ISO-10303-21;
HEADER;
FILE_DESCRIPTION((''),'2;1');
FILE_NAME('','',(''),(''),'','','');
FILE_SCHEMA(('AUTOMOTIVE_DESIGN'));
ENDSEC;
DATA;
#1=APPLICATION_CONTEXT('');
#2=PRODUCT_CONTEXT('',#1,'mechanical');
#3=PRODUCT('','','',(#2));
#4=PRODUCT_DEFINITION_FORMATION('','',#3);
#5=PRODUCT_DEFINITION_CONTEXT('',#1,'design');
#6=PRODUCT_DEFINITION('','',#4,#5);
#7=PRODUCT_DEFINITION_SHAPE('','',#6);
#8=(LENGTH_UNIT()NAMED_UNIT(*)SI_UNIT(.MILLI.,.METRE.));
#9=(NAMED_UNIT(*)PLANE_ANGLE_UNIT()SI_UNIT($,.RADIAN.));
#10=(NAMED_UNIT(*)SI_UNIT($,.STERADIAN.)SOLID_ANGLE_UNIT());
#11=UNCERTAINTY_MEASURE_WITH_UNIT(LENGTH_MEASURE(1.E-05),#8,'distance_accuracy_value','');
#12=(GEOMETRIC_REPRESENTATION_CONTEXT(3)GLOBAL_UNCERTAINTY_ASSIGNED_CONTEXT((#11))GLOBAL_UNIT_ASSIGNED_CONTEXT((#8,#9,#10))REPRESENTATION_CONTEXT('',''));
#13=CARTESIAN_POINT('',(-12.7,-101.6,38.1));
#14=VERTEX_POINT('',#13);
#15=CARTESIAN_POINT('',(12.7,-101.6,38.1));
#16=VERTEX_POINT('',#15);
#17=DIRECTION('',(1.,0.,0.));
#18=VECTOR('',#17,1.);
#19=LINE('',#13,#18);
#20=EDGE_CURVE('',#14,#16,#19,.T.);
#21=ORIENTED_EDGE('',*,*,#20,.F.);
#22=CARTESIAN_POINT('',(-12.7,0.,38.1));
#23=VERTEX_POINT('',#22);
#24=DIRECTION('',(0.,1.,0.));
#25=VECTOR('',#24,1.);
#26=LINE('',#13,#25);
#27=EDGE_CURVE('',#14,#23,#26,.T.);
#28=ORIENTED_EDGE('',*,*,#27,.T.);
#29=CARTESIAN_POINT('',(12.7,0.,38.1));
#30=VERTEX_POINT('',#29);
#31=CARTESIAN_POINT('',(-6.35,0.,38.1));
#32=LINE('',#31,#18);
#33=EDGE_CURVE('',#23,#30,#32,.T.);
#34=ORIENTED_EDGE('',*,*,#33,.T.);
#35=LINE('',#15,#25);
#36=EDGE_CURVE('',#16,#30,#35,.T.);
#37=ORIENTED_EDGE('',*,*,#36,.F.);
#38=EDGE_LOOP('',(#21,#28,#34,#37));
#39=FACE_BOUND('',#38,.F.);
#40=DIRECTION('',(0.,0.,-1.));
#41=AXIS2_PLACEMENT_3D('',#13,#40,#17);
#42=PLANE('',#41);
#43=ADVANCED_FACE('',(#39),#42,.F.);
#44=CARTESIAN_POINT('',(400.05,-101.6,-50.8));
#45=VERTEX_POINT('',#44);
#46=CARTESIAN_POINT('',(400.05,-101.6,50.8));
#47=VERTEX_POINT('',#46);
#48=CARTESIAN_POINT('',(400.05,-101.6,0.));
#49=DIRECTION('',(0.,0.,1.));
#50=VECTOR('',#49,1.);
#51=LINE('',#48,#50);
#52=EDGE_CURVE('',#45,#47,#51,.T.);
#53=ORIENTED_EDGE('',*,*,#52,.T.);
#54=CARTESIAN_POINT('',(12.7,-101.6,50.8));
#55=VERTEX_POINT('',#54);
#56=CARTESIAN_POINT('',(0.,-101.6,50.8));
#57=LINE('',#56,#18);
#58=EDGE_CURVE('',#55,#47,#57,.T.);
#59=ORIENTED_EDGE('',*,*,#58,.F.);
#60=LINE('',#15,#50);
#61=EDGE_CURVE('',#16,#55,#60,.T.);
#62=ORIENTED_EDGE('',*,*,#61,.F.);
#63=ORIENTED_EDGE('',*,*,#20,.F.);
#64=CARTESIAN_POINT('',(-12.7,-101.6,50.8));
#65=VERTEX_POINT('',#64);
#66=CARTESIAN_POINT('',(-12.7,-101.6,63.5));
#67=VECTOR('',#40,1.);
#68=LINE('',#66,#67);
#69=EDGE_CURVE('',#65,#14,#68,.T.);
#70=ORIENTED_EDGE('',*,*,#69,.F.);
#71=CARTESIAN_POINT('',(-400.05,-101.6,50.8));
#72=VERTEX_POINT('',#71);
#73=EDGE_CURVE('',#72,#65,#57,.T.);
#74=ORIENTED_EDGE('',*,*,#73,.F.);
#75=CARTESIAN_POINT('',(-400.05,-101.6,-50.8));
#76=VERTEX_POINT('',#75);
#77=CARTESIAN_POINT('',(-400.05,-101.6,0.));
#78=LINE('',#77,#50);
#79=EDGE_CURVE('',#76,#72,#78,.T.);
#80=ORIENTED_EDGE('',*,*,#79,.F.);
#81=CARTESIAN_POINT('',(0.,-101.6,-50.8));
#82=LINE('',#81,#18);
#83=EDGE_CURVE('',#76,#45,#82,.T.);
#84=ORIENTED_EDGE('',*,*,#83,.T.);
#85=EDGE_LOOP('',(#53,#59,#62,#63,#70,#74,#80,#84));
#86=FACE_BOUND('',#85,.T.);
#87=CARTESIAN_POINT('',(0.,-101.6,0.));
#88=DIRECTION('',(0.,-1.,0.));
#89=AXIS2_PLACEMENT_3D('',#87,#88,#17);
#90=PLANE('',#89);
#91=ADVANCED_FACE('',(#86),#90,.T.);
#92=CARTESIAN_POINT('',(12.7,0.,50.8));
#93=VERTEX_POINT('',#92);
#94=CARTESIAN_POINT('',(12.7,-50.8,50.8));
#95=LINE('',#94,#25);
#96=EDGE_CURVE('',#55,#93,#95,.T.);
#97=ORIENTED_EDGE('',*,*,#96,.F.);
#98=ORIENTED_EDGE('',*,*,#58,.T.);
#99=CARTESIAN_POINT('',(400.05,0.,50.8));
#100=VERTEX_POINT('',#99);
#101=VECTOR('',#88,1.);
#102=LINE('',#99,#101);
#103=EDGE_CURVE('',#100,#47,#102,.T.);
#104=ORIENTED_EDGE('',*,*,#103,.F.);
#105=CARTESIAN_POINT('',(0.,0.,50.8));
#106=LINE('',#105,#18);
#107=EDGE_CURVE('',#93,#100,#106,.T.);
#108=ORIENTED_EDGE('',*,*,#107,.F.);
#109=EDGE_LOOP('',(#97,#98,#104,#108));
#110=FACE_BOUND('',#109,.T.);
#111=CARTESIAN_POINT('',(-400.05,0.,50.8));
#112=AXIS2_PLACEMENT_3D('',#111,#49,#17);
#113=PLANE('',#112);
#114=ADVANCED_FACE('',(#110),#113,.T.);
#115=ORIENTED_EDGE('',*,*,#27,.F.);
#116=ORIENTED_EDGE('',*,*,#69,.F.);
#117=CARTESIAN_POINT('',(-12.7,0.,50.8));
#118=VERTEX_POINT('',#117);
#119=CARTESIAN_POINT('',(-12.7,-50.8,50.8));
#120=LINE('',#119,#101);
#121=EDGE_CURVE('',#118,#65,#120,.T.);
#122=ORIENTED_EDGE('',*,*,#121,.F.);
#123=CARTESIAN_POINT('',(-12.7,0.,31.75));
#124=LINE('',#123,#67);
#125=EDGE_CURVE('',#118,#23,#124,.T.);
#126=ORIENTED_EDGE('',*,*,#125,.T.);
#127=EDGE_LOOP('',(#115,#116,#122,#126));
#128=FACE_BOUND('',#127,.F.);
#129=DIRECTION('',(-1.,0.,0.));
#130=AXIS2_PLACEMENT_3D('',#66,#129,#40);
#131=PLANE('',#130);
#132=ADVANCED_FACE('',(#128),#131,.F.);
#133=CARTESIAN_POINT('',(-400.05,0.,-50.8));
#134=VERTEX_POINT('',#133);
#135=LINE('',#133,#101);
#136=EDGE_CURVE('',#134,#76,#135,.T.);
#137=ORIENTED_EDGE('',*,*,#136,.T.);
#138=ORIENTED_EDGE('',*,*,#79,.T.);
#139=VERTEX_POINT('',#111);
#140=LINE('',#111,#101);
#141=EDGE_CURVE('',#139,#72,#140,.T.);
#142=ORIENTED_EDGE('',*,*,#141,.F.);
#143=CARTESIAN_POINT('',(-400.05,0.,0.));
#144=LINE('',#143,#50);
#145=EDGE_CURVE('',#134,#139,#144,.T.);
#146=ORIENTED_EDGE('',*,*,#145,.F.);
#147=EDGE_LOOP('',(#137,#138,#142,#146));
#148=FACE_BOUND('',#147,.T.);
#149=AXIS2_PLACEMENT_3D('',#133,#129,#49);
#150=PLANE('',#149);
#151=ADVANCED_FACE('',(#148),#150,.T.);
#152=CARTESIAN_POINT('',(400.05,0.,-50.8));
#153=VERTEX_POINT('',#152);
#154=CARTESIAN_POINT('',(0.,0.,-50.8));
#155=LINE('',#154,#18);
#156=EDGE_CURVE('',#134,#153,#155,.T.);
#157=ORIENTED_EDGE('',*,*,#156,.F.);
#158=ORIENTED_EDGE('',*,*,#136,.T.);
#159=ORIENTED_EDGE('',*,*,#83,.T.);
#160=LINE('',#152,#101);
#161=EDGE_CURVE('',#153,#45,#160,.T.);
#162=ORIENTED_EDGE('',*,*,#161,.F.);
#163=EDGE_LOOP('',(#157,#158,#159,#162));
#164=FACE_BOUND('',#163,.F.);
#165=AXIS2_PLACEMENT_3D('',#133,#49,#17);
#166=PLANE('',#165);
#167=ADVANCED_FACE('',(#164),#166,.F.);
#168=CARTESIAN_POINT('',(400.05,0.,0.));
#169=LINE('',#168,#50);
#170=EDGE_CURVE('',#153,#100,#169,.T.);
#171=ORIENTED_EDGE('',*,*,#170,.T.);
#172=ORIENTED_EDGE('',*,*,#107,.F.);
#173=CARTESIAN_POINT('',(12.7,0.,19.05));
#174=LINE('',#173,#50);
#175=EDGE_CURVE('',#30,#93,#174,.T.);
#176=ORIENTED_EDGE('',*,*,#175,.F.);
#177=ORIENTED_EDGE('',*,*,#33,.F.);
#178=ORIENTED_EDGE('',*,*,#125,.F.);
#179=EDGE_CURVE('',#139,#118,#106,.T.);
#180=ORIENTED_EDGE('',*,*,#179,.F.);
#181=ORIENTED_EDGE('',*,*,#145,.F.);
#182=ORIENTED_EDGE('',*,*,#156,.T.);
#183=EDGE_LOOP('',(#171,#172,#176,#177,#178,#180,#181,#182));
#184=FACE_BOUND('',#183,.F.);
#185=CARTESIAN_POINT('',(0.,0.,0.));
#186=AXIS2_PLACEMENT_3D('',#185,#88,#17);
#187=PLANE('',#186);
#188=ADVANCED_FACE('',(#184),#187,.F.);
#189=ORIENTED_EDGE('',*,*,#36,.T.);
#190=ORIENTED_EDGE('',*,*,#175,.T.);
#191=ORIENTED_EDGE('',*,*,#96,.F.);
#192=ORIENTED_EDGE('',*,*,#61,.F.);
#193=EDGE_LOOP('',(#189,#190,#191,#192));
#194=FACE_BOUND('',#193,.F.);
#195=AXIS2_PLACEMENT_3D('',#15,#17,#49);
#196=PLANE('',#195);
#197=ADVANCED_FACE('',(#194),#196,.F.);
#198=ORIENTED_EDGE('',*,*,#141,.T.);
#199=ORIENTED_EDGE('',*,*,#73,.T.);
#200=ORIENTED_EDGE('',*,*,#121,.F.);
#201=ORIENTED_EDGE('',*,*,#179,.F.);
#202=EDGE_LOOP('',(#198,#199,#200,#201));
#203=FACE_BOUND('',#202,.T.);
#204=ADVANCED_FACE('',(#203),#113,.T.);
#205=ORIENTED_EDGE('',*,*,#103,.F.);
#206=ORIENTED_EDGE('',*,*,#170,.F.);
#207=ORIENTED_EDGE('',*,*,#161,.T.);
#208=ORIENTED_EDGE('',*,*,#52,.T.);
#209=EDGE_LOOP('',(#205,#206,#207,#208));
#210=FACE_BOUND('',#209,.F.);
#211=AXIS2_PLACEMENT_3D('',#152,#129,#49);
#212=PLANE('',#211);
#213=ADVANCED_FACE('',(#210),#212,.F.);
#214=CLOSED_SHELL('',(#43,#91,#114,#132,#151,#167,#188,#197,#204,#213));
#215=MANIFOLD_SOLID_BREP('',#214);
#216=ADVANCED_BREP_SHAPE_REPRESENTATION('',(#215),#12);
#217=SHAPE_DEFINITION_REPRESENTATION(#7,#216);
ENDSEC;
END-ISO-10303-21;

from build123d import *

# Parameters (mm, degrees)
F0_W     = 800.1
F0_H     = 101.6
F1_DEPTH = 101.6
F3_DEPTH = 101.601


with BuildPart() as f1:
    # F0 (on Front) → F1 (new body)
    with BuildSketch(Plane.XZ):
        Rectangle(F0_W, F0_H)
    extrude(amount=F1_DEPTH)

    # F2 (on face) → F3 (cut, through all)
    with BuildSketch(Plane.XZ.offset(101.6)):
        Polygon((12.7, 38.1), (12.7, 63.5), (-12.7, 63.5), (-12.7, 38.1), (0, 38.1), align=None)
    extrude(amount=-F3_DEPTH, mode=Mode.SUBTRACT)


solid = f1.part
